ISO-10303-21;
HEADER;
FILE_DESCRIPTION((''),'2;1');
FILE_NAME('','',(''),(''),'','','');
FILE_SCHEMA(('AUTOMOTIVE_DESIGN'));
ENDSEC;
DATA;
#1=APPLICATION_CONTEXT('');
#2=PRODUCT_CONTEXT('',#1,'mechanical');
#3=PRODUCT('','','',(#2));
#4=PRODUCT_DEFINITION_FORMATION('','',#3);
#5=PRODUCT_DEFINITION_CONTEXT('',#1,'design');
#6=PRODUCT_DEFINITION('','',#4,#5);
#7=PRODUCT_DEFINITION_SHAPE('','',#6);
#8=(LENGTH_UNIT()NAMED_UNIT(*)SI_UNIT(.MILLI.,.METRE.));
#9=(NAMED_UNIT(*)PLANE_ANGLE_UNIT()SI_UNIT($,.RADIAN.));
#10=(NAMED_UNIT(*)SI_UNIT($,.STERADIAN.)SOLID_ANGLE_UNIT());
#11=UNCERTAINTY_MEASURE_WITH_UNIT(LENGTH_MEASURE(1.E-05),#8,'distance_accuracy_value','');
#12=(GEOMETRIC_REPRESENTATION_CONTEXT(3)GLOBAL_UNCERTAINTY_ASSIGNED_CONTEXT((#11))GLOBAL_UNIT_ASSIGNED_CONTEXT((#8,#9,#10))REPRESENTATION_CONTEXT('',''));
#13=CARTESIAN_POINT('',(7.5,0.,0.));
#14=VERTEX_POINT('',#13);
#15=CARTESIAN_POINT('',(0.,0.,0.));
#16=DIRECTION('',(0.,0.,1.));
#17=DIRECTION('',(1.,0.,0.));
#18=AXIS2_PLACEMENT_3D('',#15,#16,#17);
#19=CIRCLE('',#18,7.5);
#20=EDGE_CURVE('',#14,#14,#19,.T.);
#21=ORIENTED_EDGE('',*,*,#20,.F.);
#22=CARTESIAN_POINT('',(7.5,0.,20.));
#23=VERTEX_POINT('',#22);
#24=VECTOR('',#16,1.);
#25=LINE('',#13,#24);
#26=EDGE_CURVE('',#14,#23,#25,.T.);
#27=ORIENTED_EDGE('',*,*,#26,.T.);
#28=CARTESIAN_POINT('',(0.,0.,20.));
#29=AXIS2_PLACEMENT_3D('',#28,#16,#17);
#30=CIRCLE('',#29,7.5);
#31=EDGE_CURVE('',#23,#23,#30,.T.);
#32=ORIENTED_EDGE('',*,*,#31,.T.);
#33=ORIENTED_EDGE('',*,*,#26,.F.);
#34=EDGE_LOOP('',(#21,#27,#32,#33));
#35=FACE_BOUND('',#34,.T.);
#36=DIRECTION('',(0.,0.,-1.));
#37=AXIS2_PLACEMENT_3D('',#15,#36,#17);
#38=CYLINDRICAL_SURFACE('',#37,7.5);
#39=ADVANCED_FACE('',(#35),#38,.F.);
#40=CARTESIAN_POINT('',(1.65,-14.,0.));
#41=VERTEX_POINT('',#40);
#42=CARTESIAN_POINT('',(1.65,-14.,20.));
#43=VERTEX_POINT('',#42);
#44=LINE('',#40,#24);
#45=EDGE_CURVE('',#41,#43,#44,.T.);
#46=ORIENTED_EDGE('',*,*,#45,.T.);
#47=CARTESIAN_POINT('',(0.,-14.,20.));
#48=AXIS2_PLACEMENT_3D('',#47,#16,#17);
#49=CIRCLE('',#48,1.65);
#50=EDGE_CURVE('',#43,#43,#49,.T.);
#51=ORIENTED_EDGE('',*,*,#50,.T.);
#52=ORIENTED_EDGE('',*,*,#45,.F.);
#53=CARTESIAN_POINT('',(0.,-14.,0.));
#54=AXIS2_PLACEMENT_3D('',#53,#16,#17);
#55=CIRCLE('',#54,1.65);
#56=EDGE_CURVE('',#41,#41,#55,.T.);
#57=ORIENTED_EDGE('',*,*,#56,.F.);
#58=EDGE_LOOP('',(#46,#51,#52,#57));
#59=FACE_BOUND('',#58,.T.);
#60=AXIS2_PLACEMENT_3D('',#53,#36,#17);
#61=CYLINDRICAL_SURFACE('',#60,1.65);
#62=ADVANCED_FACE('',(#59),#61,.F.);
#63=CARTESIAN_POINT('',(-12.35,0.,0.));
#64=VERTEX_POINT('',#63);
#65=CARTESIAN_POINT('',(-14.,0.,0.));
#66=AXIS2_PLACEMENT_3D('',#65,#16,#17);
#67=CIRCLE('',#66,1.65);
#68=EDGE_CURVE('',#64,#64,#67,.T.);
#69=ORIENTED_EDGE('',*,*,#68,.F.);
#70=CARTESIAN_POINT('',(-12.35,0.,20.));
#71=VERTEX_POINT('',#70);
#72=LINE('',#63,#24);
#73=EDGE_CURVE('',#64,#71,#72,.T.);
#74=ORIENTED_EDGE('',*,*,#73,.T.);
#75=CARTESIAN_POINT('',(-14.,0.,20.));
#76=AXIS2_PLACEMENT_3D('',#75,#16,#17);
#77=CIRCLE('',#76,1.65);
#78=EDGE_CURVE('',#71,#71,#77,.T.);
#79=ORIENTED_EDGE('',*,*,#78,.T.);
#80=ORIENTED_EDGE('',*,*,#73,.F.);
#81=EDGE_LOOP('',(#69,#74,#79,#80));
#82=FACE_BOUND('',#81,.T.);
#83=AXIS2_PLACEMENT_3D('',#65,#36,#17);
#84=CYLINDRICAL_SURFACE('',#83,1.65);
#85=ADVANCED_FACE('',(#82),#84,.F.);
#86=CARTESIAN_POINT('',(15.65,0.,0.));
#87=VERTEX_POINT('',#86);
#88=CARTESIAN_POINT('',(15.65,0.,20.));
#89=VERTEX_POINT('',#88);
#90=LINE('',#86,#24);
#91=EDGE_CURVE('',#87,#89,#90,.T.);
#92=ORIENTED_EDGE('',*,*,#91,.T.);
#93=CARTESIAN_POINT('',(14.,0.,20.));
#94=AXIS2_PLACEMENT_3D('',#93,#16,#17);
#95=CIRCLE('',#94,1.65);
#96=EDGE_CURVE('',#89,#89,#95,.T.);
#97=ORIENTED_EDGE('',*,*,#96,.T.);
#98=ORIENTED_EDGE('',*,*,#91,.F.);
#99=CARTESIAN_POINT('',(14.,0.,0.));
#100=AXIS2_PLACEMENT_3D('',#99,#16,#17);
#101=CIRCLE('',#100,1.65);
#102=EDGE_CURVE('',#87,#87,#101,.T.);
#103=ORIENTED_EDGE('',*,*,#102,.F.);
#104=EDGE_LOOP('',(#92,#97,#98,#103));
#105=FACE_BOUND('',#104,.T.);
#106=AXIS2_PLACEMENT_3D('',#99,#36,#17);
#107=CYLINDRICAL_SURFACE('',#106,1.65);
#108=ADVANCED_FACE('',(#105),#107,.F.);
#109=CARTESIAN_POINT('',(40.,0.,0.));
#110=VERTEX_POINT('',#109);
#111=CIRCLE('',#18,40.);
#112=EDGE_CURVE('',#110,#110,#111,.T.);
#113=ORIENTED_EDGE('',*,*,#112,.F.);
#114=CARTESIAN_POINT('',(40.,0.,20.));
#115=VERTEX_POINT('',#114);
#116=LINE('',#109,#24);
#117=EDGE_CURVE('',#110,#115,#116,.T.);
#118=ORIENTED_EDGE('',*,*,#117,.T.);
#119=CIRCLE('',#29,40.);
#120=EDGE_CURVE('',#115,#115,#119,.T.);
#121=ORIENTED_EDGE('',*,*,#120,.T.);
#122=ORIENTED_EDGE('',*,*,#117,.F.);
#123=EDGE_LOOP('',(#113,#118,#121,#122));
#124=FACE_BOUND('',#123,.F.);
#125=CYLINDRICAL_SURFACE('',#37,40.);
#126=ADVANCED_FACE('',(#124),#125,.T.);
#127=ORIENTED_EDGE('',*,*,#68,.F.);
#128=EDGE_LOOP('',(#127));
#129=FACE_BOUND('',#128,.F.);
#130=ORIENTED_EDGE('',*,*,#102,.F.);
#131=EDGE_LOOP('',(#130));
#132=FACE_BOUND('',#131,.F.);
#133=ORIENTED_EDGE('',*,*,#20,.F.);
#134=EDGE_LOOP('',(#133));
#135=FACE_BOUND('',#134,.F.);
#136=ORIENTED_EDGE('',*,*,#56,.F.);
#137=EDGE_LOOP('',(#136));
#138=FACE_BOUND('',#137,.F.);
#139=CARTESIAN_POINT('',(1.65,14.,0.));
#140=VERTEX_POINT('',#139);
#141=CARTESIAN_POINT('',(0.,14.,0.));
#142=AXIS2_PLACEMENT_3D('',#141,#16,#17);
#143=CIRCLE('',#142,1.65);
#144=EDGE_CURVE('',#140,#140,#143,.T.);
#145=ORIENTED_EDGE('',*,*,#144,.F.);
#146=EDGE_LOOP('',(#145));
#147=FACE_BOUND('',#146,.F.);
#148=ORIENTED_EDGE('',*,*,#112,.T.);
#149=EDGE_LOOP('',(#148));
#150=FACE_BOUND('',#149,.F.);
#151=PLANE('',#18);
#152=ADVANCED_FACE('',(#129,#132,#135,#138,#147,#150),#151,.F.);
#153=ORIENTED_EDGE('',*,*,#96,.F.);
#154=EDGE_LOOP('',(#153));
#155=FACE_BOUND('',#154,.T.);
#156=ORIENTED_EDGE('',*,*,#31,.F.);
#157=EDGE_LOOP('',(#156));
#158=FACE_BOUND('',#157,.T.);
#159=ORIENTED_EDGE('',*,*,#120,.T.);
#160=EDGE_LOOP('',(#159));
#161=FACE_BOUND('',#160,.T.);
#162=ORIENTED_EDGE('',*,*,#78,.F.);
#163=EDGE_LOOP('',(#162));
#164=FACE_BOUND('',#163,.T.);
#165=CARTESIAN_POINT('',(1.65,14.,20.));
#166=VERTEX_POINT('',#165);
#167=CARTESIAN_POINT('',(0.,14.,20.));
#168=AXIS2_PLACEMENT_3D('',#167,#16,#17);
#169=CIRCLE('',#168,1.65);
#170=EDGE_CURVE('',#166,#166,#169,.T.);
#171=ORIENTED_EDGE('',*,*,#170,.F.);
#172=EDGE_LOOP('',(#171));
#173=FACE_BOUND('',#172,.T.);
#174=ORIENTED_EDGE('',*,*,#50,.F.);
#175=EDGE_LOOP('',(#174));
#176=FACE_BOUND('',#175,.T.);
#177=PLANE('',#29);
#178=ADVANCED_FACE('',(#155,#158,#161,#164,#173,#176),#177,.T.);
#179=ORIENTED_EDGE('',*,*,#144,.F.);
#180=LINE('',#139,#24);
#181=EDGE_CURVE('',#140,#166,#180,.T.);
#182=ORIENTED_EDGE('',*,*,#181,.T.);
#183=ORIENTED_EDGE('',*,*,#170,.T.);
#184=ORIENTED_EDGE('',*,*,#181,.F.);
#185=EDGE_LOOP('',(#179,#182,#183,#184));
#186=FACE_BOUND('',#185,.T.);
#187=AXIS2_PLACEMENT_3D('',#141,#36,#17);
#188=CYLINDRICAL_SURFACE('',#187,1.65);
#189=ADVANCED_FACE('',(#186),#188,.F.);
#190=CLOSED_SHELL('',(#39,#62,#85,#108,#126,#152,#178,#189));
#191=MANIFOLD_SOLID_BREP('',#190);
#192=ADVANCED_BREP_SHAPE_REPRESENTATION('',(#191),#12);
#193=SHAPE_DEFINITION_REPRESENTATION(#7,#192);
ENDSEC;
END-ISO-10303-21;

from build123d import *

# Parameters (mm, degrees)
F0_R     = 40
F0_R_2   = 7.5
F2_DEPTH = 20
F1_R     = 1.65
F3_DEPTH = 20


with BuildPart() as f2:
    # F0 (on Top) → F2 (new body)
    with BuildSketch(Plane.XY):
        Circle(F0_R)
        Circle(F0_R_2, mode=Mode.SUBTRACT)
    extrude(amount=F2_DEPTH)

    # F1 (on Top) → F3 (cut)
    with BuildSketch(Plane.XY):
        with Locations((0, -14)):
            Circle(F1_R)
        with Locations((14, 0)):
            Circle(F1_R)
        with Locations((0, 14)):
            Circle(F1_R)
        with Locations((-14, 0)):
            Circle(F1_R)
    extrude(amount=F3_DEPTH, mode=Mode.SUBTRACT)


solid = f2.part
